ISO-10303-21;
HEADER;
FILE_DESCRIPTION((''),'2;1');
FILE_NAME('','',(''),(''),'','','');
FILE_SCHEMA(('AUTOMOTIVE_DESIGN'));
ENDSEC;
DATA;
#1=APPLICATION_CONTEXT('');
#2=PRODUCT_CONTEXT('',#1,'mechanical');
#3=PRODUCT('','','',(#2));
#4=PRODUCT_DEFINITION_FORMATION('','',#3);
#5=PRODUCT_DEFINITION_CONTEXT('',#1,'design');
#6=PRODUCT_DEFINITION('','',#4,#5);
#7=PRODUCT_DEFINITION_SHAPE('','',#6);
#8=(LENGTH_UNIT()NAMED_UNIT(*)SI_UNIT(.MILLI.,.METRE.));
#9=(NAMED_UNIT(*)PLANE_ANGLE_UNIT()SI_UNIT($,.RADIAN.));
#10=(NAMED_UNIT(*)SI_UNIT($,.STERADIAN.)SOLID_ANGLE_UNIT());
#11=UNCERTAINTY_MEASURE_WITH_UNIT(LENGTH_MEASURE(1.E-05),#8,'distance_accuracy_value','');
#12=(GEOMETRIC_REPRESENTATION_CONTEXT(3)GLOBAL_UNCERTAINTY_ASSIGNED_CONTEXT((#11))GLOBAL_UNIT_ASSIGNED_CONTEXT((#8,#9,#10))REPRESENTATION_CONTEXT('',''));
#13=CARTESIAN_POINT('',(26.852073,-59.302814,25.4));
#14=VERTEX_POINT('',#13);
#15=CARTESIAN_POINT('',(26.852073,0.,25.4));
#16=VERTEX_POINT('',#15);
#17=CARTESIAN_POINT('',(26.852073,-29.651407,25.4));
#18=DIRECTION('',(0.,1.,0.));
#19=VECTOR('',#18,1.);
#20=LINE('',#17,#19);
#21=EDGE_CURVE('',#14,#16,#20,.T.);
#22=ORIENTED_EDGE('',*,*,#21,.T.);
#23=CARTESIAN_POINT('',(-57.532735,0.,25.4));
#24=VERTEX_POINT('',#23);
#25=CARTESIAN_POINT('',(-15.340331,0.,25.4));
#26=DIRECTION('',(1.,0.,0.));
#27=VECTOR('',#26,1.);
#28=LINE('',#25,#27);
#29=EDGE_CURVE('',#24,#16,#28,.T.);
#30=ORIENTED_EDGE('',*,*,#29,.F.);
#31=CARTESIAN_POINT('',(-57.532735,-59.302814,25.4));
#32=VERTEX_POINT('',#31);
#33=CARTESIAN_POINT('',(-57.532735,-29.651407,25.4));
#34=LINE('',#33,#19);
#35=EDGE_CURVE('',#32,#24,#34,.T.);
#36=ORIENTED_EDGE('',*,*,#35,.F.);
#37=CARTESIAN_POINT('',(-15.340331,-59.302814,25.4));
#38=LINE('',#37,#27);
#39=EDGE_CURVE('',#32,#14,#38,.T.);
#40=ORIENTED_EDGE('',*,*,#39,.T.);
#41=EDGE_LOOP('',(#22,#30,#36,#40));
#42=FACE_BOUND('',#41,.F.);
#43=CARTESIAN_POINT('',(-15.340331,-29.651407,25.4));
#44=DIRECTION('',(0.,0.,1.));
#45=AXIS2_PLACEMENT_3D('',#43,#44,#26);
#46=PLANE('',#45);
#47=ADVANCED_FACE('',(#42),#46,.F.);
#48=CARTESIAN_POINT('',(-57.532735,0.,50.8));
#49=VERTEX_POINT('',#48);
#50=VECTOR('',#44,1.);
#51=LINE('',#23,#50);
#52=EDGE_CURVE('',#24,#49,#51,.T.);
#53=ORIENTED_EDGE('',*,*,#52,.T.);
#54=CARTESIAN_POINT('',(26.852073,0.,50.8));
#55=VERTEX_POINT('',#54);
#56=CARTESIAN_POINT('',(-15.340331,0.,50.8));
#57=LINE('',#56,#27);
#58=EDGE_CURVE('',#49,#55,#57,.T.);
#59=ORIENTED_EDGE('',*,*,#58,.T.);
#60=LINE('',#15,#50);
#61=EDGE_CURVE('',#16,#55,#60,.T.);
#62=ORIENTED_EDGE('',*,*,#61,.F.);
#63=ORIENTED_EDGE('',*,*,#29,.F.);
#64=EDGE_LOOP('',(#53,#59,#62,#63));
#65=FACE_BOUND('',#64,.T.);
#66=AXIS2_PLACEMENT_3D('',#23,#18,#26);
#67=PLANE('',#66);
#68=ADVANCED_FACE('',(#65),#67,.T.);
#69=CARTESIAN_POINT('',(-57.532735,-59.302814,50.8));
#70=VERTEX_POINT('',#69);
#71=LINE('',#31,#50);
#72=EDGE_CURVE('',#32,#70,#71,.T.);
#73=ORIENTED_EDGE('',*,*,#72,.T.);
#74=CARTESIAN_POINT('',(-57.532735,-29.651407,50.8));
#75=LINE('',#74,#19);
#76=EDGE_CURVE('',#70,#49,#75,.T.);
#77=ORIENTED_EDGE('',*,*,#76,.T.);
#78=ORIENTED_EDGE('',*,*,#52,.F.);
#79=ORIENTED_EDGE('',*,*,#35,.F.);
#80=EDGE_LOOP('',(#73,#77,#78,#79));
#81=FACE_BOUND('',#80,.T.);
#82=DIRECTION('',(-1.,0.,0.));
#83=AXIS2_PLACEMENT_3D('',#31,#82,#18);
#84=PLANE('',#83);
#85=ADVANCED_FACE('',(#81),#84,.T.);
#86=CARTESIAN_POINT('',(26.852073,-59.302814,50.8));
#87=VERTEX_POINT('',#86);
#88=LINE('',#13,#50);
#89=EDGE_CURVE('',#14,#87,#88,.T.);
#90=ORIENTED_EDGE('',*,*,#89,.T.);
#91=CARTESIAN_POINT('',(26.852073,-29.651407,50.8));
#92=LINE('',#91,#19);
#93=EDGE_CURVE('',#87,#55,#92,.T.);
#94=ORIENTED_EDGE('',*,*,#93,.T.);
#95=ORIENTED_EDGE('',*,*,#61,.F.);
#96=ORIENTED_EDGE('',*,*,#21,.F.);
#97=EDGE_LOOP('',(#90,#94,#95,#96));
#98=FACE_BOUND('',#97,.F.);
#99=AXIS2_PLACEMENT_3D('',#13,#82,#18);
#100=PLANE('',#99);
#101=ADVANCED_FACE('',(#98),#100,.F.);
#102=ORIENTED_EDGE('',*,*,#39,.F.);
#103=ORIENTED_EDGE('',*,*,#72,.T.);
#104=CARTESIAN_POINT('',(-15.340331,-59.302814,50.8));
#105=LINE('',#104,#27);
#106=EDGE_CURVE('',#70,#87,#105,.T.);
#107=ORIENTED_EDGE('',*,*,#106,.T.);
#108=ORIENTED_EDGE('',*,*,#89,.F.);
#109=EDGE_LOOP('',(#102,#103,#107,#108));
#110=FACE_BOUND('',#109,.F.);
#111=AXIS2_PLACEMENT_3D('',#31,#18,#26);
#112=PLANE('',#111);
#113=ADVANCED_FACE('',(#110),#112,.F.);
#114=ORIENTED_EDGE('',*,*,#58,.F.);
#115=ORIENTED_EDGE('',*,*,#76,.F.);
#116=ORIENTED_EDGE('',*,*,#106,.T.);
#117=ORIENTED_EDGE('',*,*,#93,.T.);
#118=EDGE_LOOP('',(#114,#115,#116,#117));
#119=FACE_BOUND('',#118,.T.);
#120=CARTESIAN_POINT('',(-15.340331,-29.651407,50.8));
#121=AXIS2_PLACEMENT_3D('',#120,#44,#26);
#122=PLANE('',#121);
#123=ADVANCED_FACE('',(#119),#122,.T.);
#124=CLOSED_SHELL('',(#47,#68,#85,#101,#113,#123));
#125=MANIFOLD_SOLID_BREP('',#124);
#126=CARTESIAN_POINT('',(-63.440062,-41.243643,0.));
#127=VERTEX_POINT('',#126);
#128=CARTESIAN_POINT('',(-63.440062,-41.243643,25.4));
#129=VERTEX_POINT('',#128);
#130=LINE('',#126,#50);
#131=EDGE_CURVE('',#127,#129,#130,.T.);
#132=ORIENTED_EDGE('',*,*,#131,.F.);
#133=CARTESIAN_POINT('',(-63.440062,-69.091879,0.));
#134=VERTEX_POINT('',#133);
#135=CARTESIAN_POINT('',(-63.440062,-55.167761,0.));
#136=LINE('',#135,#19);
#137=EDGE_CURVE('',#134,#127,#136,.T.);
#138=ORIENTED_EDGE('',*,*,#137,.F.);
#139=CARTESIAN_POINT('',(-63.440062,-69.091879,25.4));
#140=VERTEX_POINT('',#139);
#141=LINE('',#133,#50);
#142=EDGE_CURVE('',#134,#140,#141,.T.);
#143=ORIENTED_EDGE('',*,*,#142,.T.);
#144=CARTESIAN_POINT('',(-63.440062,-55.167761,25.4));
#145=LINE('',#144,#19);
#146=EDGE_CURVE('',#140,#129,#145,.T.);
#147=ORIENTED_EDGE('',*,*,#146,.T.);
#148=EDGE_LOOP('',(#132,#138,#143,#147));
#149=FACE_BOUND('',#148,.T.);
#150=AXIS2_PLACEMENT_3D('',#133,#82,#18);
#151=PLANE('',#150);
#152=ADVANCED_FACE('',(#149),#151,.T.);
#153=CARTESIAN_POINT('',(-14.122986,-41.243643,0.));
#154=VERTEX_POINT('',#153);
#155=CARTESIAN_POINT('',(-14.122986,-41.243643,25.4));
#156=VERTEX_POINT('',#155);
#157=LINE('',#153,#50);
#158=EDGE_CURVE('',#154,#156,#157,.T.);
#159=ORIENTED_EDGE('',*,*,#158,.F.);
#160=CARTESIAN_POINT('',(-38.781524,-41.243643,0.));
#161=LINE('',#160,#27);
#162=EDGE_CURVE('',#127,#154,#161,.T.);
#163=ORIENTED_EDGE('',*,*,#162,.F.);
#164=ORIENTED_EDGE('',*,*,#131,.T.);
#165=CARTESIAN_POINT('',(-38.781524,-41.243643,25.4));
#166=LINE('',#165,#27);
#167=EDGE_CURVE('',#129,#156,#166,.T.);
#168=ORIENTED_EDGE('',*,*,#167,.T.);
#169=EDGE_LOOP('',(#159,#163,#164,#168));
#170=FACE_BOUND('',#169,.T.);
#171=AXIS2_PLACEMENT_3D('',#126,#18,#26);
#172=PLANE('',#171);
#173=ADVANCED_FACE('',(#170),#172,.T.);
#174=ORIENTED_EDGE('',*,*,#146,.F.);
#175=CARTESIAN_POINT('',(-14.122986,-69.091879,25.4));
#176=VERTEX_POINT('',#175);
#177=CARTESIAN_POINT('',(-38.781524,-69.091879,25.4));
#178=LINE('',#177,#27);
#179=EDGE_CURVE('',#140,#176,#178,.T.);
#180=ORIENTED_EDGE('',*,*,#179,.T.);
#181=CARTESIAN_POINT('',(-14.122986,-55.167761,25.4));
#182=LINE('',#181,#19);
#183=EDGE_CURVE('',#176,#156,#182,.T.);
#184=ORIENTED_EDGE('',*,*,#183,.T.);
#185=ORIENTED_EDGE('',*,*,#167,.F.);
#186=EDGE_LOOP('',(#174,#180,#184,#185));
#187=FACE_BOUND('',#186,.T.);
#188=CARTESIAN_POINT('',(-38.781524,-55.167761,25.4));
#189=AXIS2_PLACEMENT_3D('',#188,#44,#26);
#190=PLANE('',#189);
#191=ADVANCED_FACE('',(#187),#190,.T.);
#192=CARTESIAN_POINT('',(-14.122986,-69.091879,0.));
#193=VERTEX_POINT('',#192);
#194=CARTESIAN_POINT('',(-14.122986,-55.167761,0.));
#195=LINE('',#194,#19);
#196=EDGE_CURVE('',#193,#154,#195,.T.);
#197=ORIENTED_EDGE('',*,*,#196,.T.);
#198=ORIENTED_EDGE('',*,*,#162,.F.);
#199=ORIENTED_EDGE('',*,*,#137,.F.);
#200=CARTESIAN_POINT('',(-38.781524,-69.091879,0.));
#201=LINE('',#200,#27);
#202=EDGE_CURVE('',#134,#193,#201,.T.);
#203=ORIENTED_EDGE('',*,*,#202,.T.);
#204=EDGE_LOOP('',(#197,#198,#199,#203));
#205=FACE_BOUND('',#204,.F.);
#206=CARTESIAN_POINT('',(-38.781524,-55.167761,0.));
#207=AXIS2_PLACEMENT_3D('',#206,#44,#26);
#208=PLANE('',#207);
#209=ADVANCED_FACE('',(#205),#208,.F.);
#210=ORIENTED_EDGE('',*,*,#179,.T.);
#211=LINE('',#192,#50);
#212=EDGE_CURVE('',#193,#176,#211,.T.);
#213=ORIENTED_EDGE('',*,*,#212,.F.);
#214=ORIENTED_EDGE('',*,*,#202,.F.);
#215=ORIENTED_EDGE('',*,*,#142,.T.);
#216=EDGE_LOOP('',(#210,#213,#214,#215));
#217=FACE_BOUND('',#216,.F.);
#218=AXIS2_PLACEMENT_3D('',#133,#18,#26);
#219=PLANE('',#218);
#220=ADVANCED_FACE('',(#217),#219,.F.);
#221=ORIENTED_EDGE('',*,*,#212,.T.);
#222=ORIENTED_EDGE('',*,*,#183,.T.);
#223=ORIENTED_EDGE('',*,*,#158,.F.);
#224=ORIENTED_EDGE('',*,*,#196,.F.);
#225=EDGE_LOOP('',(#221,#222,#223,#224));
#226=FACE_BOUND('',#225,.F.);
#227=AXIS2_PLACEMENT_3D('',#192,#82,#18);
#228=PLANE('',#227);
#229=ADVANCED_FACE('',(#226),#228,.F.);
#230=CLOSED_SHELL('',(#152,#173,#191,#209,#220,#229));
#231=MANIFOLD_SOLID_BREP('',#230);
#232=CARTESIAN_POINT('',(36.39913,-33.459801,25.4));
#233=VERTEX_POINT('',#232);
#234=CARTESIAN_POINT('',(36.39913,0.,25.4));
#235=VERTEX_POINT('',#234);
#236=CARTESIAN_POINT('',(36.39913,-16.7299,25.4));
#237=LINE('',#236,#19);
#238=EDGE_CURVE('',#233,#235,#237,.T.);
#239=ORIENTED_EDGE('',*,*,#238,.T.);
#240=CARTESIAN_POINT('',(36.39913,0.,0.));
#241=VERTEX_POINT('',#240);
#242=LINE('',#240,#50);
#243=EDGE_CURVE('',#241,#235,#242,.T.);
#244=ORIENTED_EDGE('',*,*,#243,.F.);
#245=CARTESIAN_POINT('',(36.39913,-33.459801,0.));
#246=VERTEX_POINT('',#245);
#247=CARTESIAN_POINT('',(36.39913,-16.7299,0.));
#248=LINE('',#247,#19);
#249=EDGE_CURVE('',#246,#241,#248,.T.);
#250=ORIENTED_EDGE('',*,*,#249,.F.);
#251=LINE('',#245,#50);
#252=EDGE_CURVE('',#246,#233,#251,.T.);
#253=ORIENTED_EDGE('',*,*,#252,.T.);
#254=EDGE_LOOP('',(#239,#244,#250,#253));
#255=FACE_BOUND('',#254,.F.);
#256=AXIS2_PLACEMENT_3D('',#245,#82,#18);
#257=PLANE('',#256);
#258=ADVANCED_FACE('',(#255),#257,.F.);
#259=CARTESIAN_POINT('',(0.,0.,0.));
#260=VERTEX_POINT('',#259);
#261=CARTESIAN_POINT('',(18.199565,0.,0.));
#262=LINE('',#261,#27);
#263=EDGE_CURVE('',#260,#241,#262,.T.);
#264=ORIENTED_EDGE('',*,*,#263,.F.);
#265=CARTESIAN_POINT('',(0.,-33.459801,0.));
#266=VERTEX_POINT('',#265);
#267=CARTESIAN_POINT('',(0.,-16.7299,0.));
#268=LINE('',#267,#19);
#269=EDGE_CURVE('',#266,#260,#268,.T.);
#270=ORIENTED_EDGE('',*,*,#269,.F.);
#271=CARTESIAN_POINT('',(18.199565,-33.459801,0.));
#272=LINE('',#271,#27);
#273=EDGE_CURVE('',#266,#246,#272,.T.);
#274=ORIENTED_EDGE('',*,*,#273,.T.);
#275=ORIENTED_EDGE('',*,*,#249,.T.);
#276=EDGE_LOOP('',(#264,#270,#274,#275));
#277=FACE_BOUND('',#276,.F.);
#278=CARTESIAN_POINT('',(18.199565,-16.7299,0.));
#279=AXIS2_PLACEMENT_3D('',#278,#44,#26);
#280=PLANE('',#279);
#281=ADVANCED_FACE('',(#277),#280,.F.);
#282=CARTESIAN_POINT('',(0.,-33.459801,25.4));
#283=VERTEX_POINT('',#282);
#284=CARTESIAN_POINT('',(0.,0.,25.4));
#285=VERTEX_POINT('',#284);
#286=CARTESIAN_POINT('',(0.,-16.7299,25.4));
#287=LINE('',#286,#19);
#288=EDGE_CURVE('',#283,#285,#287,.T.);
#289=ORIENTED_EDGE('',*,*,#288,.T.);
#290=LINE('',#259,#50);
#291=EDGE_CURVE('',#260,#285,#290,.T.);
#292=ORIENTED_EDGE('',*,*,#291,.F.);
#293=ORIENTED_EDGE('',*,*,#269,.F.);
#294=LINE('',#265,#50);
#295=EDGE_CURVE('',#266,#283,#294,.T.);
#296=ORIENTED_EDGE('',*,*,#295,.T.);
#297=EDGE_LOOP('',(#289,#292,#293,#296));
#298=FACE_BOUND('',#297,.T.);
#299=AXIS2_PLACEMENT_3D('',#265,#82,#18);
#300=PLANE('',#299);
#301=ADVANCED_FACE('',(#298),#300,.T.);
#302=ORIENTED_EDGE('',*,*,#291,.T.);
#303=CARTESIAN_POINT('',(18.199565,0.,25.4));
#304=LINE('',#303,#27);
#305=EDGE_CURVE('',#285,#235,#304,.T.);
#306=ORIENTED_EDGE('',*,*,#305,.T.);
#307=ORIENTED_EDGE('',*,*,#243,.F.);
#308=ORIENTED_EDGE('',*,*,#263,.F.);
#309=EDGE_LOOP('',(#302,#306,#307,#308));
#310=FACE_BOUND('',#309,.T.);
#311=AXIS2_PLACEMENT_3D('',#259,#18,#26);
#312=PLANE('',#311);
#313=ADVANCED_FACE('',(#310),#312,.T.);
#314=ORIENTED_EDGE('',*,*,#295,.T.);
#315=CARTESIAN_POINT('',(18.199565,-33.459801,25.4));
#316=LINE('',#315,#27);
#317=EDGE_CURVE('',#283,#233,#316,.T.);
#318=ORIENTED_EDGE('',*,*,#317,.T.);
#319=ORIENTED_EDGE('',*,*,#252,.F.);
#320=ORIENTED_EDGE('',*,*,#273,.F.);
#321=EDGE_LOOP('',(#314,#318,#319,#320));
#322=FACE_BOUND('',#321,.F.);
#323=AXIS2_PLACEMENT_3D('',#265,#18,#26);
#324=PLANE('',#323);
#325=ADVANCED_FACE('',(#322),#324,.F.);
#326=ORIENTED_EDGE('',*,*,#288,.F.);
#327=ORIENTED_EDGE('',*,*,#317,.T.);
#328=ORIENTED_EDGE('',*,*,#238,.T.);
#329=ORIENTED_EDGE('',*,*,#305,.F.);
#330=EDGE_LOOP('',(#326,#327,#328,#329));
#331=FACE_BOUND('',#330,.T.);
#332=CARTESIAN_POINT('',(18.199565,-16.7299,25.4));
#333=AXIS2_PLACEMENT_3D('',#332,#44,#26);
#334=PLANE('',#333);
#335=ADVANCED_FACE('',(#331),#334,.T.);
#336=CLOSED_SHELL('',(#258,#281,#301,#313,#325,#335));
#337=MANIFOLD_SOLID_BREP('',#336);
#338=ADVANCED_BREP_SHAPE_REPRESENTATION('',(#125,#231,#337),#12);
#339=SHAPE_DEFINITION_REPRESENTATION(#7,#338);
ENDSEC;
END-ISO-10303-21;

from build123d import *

# Parameters (mm, degrees)
F0_W     = 36.39913
F0_H     = 33.459801
F1_DEPTH = 25.4
F2_W     = 49.317076
F2_H     = 27.848236
F3_DEPTH = 25.4
F5_W     = 84.384808
F5_H     = 59.302814
F6_DEPTH = 25.4


with BuildPart() as f1:
    # F0 (on Top) → F1 (new body)
    with BuildSketch(Plane.XY):
        with Locations((18.199565, -16.7299)):
            Rectangle(F0_W, F0_H)
    extrude(amount=F1_DEPTH)


with BuildPart() as f3:
    # F2 (on Top) → F3 (new body)
    with BuildSketch(Plane.XY):
        with Locations((-38.781524, -55.167761)):
            Rectangle(F2_W, F2_H)
    extrude(amount=F3_DEPTH)


with BuildPart() as f6:
    # F5 (on offset) → F6 (new body)
    with BuildSketch(Plane.XY.offset(25.4)):
        with Locations((-15.340331, -29.651407)):
            Rectangle(F5_W, F5_H)
    extrude(amount=F6_DEPTH)


solid = Compound([f1.part, f3.part, f6.part])
